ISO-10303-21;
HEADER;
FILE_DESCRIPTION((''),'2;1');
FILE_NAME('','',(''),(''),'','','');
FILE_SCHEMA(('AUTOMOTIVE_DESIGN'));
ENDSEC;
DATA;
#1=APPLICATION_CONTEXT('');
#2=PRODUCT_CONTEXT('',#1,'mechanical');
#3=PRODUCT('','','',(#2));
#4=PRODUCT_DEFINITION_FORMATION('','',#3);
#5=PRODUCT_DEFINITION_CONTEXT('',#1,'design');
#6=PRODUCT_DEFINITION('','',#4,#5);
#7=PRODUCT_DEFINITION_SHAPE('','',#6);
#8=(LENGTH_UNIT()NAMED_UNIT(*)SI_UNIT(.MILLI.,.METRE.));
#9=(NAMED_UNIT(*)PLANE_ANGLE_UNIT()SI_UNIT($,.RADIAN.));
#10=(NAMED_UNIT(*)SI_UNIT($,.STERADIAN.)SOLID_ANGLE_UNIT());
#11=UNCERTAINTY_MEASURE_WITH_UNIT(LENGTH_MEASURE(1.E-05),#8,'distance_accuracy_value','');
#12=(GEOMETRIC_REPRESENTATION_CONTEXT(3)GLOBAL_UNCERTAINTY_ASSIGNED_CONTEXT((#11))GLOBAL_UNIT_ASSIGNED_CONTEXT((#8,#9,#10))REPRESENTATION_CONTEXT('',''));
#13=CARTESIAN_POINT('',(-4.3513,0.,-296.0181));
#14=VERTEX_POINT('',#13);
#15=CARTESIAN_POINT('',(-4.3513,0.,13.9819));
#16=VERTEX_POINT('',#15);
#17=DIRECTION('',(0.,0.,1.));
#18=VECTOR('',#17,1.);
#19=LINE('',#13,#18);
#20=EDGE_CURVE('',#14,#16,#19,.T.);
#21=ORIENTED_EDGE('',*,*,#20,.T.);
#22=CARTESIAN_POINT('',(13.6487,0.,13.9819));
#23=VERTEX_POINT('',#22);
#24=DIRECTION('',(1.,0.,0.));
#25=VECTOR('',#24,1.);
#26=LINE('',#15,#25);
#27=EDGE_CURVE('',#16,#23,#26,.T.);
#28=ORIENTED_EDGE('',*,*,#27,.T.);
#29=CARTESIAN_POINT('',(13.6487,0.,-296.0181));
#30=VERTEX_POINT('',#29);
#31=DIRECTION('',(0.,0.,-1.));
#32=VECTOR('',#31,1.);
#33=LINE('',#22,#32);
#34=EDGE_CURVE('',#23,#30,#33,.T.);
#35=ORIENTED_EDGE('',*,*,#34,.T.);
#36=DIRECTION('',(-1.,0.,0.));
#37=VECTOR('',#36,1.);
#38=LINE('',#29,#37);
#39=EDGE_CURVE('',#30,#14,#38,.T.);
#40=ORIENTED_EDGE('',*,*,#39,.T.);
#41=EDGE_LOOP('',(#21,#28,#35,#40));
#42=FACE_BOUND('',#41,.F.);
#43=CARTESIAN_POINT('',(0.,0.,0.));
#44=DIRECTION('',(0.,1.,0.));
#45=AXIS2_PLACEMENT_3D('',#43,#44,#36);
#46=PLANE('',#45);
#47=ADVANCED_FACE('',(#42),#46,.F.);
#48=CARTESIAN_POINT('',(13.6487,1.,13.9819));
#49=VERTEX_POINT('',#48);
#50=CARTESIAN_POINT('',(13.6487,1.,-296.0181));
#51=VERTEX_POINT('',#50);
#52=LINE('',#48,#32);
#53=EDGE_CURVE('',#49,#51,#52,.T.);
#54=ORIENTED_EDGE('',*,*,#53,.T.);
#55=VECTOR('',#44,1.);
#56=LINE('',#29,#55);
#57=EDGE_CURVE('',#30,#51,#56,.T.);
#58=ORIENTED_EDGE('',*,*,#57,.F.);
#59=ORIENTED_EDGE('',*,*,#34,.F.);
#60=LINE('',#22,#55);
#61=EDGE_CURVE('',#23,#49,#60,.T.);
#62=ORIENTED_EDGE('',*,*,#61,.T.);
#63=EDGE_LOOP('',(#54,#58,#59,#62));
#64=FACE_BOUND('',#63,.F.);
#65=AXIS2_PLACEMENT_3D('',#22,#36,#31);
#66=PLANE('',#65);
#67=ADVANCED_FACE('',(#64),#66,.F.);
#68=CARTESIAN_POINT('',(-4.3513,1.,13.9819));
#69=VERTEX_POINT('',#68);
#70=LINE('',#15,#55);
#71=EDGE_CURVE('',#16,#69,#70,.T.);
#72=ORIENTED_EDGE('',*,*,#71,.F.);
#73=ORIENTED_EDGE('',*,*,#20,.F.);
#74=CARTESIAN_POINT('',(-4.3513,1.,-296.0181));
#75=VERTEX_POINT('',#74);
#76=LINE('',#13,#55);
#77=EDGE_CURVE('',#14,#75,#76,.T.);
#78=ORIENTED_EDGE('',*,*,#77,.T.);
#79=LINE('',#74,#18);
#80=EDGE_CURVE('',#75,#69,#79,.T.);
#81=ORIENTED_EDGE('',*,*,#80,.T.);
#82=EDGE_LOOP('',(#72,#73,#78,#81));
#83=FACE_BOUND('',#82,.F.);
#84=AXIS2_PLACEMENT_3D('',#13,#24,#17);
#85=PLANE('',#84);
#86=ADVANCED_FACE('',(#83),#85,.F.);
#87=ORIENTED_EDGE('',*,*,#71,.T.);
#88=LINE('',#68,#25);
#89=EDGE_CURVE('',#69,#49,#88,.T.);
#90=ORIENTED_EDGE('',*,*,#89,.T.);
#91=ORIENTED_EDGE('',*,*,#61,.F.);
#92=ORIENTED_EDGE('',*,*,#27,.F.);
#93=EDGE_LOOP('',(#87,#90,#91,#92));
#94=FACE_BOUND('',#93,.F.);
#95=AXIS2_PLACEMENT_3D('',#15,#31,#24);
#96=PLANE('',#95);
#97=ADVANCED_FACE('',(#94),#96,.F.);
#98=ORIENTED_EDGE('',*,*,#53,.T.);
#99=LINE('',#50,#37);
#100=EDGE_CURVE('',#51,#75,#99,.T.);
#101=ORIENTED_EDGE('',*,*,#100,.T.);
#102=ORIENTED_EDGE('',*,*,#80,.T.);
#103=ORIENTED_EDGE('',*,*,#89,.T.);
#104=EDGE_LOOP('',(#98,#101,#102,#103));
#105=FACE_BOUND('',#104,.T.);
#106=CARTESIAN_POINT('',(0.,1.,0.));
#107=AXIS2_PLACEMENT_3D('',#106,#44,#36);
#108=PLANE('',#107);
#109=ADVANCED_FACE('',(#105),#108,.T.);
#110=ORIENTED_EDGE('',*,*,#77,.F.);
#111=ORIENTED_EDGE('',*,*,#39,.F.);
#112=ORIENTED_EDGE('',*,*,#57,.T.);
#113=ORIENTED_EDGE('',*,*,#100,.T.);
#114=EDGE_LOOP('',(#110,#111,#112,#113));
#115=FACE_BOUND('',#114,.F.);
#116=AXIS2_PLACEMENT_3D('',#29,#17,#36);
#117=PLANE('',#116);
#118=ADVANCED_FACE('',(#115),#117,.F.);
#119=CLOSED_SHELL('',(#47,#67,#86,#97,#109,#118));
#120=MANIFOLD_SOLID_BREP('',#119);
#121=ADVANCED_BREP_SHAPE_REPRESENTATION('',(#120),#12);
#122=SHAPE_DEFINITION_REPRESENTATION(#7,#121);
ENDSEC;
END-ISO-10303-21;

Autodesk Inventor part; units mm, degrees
ref_plane "YZ Plane" through (0, 0, 0) normal (1, 0, 0) x (0, 1, 0)
ref_plane "XZ Plane" through (0, 0, 0) normal (0, 1, 0) x (-1, 0, 0)
ref_plane "XY Plane" through (0, 0, 0) normal (0, 0, 1) x (1, 0, 0)
sketch "Boceto1" plane through (0, 0, 0) normal (0, 1, 0) x (-1, 0, 0)
  line L0 (4.3513, 13.9819) -> (-13.6487, 13.9819)
  line L1 (-13.6487, 13.9819) -> (-13.6487, -296.0181)
  line L2 (-13.6487, -296.0181) -> (4.3513, -296.0181)
  line L3 (4.3513, -296.0181) -> (4.3513, 13.9819)
  point P0 (0, 0)
  dimension "d0" = 18
  dimension "d1" = 310
extrude "Extrusión1" add sketch "Boceto1" along normal blind 1
properties part number "Tapa para soporte Led"
